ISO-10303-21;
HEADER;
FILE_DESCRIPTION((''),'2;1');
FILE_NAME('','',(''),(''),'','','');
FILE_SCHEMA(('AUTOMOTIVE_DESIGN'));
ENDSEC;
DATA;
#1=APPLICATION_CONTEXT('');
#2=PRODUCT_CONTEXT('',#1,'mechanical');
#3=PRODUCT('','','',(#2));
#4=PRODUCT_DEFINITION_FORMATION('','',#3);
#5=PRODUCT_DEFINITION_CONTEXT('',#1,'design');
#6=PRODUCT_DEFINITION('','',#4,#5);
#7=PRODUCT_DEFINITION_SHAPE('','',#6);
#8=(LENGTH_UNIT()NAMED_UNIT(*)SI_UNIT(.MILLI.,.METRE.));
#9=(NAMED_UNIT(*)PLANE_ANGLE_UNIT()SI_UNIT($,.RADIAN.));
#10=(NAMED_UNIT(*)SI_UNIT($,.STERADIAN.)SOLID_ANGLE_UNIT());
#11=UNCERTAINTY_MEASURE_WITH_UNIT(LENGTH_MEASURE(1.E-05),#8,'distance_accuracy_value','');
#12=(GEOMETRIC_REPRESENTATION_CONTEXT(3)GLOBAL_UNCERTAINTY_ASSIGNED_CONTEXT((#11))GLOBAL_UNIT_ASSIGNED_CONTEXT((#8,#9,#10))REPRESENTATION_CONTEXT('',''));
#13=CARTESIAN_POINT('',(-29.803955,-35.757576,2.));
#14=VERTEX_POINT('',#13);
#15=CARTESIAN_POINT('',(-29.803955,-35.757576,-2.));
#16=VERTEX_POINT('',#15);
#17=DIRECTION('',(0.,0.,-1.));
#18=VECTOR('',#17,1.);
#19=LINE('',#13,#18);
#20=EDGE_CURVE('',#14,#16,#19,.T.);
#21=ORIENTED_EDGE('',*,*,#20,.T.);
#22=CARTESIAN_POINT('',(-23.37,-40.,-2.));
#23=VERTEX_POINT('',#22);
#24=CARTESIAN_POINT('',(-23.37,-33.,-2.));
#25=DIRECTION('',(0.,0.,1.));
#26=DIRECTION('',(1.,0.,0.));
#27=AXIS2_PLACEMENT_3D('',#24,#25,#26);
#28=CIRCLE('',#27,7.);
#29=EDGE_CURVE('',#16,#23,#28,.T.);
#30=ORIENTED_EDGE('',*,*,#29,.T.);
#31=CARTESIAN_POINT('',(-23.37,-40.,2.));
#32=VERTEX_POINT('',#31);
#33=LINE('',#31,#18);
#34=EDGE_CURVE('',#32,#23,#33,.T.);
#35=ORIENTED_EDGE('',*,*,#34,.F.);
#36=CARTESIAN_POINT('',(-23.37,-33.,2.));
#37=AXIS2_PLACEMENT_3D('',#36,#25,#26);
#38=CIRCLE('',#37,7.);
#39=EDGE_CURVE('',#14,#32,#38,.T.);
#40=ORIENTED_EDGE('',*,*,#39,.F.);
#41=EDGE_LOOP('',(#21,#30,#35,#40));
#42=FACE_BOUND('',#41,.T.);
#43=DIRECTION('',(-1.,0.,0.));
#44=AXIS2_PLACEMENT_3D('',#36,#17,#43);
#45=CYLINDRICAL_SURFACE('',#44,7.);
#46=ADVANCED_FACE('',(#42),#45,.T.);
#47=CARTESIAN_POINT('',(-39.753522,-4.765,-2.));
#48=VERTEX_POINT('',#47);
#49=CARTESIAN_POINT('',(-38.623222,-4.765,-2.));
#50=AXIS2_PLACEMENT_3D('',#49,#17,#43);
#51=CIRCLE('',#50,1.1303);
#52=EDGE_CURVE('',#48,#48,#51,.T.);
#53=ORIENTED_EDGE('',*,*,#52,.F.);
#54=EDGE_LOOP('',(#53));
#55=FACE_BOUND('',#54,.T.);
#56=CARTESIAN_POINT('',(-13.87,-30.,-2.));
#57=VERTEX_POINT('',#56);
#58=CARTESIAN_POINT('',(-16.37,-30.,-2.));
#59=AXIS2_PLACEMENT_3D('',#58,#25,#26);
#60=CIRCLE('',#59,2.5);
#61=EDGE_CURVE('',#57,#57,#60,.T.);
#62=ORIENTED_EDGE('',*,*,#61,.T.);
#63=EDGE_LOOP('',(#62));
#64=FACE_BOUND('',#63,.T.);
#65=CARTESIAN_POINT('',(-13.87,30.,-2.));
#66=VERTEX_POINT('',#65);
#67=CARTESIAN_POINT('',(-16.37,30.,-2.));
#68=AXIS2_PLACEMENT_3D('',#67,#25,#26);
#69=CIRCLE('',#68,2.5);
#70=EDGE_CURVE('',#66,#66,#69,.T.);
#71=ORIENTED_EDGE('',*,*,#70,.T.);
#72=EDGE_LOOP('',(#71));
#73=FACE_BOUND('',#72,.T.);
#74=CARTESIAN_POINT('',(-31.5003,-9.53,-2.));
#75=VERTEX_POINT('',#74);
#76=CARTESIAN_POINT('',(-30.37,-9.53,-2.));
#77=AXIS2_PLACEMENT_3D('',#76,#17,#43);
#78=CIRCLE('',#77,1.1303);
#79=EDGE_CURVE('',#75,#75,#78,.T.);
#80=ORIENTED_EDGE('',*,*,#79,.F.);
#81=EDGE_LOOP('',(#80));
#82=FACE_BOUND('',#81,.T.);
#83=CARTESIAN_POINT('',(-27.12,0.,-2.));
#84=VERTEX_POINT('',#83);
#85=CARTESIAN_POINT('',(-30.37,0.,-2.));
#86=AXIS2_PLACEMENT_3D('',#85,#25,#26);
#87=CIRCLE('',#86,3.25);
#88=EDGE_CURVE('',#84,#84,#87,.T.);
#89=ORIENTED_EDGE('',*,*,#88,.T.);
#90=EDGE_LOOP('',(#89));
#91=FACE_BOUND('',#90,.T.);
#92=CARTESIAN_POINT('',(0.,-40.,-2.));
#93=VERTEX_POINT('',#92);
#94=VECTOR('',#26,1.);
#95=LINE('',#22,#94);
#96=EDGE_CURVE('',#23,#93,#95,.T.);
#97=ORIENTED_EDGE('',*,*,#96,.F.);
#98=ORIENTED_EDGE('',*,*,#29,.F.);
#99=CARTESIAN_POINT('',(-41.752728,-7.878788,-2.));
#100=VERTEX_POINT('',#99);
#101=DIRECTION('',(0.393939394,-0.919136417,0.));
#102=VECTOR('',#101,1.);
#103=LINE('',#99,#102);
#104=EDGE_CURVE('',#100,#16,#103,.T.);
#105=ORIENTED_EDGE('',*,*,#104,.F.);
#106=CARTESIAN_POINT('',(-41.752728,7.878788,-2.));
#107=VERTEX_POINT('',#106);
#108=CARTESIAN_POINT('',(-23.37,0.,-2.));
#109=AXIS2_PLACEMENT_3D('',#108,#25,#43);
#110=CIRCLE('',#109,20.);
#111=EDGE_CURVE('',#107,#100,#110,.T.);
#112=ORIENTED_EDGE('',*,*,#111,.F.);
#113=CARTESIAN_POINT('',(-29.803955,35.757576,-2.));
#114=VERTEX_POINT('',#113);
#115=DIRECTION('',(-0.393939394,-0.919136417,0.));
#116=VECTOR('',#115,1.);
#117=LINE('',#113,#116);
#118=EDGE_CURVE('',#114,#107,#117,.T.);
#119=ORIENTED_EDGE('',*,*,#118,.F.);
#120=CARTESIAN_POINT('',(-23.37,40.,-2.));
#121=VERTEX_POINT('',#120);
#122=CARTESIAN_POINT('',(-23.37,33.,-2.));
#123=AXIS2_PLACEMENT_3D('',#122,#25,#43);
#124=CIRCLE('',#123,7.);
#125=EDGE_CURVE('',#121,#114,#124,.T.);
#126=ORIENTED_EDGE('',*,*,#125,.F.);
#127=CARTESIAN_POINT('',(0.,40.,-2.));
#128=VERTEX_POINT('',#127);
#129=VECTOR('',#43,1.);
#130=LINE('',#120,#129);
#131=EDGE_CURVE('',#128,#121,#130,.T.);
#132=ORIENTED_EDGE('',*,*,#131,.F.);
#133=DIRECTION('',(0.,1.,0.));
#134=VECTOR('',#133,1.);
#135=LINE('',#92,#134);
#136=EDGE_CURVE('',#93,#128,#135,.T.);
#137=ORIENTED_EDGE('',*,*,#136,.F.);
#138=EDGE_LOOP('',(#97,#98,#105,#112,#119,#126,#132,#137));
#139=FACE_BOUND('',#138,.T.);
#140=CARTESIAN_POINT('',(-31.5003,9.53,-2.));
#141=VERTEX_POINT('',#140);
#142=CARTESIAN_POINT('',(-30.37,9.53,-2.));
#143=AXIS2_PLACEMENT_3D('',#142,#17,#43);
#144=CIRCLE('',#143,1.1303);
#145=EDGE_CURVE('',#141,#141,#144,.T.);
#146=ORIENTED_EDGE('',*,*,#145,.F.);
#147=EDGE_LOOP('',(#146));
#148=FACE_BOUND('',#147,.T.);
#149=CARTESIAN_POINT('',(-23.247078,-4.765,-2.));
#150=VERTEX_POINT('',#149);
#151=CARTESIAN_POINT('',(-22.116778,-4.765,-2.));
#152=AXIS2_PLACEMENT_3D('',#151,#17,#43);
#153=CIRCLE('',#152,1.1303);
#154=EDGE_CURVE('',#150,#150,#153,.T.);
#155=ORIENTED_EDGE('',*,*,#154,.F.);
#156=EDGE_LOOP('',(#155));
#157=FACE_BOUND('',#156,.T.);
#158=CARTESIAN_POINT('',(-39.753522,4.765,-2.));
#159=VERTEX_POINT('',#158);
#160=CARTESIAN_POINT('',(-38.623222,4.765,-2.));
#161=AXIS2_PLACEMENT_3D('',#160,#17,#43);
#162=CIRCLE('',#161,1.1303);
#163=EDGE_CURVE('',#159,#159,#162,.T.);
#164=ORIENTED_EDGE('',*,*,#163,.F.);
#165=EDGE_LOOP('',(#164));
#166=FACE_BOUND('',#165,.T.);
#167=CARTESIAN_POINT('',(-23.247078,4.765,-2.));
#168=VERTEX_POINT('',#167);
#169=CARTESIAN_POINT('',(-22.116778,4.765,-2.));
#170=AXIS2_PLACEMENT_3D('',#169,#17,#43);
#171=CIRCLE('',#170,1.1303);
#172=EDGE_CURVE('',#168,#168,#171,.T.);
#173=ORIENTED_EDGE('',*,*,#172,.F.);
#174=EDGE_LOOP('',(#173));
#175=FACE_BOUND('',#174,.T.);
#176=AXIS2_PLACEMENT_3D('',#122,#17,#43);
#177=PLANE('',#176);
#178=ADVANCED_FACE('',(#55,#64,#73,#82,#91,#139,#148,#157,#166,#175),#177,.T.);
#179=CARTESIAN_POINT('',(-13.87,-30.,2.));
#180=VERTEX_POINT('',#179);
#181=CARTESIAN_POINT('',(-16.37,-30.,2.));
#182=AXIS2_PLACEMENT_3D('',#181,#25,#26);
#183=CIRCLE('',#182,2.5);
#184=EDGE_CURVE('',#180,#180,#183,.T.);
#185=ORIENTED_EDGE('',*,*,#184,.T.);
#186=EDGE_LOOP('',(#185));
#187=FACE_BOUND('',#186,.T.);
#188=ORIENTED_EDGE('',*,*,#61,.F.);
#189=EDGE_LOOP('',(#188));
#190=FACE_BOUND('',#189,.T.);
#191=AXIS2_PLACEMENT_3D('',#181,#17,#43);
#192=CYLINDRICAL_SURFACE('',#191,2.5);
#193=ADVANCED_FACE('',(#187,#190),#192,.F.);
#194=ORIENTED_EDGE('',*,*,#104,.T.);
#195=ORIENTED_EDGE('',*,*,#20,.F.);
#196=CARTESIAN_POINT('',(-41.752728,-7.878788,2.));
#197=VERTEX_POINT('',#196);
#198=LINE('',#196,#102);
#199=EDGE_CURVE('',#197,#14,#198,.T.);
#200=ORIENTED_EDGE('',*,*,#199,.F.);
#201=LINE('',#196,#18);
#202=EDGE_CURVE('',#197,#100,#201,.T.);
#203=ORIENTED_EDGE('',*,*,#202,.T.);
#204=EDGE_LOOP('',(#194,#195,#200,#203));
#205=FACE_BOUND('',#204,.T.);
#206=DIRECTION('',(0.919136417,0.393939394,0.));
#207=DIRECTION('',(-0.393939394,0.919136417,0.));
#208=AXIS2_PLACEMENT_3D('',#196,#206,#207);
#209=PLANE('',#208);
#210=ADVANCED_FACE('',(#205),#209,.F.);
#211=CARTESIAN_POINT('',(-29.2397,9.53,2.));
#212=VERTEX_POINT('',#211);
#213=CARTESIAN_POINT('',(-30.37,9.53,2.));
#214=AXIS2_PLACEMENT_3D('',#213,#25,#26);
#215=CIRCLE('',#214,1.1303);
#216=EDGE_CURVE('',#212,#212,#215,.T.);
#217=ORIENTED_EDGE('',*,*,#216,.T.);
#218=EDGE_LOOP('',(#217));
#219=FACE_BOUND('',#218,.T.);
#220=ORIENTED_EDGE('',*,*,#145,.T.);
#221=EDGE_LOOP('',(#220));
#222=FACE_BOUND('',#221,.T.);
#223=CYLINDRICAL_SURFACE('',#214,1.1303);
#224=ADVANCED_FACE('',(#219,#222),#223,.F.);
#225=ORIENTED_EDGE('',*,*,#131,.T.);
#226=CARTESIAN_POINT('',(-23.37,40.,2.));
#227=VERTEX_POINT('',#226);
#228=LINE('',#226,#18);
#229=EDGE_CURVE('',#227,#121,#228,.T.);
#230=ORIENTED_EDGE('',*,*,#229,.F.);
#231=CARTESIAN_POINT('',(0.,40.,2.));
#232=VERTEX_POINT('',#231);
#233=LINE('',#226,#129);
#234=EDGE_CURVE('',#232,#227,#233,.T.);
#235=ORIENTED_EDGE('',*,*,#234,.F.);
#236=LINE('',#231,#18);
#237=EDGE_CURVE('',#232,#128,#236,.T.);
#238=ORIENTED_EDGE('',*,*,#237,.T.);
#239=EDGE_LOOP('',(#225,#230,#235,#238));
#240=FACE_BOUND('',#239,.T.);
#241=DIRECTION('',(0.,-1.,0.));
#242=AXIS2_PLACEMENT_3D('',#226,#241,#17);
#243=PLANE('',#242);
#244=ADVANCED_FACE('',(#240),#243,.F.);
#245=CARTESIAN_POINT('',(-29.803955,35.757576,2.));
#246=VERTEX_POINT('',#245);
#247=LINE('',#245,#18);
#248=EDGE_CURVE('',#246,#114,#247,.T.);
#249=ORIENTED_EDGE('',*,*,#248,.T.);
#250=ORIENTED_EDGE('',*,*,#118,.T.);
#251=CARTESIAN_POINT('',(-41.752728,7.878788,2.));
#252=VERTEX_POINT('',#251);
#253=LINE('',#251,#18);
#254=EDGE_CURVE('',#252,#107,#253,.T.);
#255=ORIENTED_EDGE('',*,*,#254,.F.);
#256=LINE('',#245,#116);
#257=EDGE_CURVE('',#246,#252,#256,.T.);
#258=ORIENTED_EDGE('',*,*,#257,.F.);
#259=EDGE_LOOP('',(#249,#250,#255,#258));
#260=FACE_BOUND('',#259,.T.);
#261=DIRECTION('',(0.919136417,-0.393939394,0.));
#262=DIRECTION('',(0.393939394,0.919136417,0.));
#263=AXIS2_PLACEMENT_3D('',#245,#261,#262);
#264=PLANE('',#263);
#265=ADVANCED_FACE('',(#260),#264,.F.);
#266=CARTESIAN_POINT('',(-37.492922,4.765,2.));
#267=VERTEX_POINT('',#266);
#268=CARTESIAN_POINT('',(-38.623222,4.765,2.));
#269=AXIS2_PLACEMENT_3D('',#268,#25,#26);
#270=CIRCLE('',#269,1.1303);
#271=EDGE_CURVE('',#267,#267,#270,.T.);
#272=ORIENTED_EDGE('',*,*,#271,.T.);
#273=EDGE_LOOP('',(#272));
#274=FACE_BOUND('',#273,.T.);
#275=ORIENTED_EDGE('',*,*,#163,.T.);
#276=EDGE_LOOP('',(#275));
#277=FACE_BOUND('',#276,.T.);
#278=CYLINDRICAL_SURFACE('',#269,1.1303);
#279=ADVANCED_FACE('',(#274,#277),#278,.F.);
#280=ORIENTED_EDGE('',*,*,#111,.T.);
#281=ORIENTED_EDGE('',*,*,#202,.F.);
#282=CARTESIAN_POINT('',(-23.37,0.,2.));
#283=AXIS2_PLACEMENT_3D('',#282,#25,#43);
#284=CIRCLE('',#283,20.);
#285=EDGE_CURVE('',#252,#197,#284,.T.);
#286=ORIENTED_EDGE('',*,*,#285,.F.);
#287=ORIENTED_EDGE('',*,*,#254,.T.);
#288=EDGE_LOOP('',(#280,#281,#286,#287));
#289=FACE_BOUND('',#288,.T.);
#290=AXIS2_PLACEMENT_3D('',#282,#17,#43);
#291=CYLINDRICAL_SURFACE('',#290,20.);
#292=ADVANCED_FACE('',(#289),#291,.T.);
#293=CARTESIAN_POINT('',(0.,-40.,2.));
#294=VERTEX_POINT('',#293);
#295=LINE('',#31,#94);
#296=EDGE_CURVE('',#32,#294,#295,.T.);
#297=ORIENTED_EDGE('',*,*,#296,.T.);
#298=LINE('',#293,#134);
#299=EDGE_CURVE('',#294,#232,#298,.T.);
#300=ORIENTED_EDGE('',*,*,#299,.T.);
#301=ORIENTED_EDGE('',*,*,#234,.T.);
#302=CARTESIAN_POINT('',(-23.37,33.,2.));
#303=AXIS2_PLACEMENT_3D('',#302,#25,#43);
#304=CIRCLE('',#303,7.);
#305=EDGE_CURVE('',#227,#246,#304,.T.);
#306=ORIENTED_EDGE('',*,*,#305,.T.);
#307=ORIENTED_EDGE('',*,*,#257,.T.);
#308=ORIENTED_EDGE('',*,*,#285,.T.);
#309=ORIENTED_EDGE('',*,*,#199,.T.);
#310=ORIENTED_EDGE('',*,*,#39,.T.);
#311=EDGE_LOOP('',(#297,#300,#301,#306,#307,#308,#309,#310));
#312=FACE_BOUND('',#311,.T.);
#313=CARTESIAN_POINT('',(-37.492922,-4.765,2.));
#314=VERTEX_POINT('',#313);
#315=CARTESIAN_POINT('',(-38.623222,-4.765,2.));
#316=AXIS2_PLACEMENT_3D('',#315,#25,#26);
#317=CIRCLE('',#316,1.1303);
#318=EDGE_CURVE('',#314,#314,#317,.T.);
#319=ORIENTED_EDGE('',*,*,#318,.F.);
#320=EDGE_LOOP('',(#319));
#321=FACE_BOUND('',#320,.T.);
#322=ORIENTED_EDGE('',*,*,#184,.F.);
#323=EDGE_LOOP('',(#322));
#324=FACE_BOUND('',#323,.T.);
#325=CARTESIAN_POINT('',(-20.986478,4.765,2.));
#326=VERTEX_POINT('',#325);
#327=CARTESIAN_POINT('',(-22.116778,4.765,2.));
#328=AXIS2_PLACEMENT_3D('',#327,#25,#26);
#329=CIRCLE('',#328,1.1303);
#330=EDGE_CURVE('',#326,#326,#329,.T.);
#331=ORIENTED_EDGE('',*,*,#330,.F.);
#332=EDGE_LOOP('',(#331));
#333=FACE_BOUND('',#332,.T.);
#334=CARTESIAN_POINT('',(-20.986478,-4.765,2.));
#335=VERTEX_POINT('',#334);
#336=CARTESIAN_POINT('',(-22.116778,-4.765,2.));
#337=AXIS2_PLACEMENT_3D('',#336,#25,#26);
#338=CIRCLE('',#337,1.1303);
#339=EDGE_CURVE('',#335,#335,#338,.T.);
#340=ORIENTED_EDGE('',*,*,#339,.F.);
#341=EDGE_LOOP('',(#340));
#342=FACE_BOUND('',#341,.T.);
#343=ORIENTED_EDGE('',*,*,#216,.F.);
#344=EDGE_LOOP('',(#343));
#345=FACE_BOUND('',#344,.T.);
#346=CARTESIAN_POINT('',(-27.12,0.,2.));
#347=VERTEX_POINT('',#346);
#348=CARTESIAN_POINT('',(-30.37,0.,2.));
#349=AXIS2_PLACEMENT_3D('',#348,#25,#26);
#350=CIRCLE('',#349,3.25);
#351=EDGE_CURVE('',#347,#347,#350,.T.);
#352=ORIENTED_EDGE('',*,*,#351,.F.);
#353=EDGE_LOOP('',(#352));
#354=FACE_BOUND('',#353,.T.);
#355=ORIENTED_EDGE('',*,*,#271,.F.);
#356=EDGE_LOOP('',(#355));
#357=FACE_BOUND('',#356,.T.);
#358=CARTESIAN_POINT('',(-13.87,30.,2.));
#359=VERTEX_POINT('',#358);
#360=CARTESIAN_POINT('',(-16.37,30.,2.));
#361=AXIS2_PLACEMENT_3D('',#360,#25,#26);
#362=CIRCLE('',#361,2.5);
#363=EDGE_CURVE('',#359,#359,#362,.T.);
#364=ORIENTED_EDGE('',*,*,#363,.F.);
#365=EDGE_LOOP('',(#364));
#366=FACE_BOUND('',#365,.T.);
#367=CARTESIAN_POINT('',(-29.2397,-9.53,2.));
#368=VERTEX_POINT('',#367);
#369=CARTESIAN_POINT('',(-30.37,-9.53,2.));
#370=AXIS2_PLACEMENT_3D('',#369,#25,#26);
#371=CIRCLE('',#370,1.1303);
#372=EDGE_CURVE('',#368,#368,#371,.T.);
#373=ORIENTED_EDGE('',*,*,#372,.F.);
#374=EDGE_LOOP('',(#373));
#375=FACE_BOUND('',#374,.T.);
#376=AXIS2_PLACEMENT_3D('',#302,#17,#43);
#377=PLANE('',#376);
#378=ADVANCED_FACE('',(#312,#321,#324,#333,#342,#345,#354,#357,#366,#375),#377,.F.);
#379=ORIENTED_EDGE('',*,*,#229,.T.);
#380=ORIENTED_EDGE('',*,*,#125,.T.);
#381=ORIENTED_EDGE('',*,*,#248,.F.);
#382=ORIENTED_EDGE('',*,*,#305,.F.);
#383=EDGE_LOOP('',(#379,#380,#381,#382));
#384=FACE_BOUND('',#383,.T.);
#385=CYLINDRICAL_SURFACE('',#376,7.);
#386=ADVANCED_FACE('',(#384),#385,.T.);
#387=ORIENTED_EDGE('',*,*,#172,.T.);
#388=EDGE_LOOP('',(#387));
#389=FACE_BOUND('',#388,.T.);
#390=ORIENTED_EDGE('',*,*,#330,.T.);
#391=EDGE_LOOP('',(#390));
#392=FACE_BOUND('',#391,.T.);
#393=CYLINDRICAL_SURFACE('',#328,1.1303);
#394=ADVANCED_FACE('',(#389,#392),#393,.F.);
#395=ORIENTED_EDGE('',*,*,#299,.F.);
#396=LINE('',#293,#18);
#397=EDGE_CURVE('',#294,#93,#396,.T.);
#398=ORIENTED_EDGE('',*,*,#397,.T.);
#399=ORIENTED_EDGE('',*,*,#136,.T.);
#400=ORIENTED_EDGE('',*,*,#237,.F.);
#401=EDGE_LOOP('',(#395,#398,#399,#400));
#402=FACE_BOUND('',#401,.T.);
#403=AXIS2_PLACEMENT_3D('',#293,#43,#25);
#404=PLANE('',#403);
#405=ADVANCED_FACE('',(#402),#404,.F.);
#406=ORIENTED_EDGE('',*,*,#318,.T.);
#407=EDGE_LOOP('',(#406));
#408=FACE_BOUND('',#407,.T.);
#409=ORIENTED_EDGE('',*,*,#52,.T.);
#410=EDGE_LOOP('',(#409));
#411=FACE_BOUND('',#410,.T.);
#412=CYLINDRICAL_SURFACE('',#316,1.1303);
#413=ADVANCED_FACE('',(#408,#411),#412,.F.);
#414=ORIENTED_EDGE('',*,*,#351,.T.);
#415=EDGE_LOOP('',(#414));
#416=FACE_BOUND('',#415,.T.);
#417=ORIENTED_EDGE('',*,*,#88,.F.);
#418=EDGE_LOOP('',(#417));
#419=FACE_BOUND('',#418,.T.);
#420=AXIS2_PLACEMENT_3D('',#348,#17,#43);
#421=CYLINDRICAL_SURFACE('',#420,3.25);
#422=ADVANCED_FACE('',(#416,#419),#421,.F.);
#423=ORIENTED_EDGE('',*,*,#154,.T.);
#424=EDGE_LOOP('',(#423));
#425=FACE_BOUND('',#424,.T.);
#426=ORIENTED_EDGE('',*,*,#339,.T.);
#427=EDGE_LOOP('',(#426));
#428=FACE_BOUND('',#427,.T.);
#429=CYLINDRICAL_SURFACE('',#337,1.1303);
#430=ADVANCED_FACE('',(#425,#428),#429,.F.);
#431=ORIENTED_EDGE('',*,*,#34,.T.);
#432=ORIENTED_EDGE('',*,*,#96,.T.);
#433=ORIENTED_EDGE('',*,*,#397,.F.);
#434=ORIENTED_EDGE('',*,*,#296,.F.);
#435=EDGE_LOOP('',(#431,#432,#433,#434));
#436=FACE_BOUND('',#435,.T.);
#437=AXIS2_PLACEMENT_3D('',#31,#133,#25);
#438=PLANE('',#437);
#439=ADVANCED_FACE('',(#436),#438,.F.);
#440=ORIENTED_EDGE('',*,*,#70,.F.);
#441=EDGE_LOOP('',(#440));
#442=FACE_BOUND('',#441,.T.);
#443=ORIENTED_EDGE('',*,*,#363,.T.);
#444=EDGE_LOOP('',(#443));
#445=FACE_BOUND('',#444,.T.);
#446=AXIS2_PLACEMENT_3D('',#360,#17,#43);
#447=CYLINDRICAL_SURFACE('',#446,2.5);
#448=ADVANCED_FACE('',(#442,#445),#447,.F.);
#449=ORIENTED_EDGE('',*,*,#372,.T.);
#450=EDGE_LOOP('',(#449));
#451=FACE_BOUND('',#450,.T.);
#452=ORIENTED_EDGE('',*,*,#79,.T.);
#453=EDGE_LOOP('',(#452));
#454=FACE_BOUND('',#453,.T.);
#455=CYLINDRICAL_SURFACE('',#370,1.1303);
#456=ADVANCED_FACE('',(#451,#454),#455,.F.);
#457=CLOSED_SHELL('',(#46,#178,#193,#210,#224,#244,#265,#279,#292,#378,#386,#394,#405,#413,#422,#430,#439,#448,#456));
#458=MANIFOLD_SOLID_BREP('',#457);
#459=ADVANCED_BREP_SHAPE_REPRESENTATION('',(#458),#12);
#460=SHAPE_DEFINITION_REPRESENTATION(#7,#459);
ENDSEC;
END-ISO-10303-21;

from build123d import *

# Parameters (mm, degrees)
SKETCH1_R                   = 2.5
SKETCH1_R_2                 = 3.25
BOSS_EXTRUDE1_DEPTH         = 2
TALADRO_ROSCADO_4_401_D     = 2.2606
TALADRO_ROSCADO_4_401_DEPTH = 12.7
TALADRO_ROSCADO_4_401_TIP   = 0.679152758


with BuildPart() as part:
    # Sketch1 → Boss-Extrude1 (new, symmetric)
    with BuildSketch(Plane.XY):
        with BuildLine():
            Line((0, -40), (0, 40))
            Line((0, 40), (-23.37, 40))
            ThreePointArc((-23.37, 40), (-27.223373178, 38.84392977), (-29.803954922, 35.757575758))
            Line((-29.803954922, 35.757575758), (-41.752728349, 7.878787879))
            ThreePointArc((-41.752728349, 7.878787879), (-43.37, 0), (-41.752728349, -7.878787879))
            Line((-41.752728349, -7.878787879), (-29.803954922, -35.757575758))
            ThreePointArc((-29.803954922, -35.757575758), (-27.223373178, -38.84392977), (-23.37, -40))
            Line((-23.37, -40), (0, -40))
        make_face()
        with Locations((-16.37, 30)):
            Circle(SKETCH1_R, mode=Mode.SUBTRACT)
        with Locations((-16.37, -30)):
            Circle(SKETCH1_R, mode=Mode.SUBTRACT)
        with Locations((-30.37, 0)):
            Circle(SKETCH1_R_2, mode=Mode.SUBTRACT)
    extrude(amount=BOSS_EXTRUDE1_DEPTH, both=True)

    # Taladro roscado #4-401
    with Locations(Plane.XY.offset(2)):
        with Locations((-30.37, -9.53), (-38.623222098, -4.765), (-38.623222098, 4.765), (-30.37, 9.53), (-22.116777902, 4.765), (-22.116777902, -4.765)):
            Hole(TALADRO_ROSCADO_4_401_D / 2, depth=TALADRO_ROSCADO_4_401_DEPTH)
            with Locations((0, 0, -(TALADRO_ROSCADO_4_401_DEPTH + TALADRO_ROSCADO_4_401_TIP / 2))):  # 118° drill point
                Cone(0, TALADRO_ROSCADO_4_401_D / 2, TALADRO_ROSCADO_4_401_TIP, mode=Mode.SUBTRACT)


solid = part.part
